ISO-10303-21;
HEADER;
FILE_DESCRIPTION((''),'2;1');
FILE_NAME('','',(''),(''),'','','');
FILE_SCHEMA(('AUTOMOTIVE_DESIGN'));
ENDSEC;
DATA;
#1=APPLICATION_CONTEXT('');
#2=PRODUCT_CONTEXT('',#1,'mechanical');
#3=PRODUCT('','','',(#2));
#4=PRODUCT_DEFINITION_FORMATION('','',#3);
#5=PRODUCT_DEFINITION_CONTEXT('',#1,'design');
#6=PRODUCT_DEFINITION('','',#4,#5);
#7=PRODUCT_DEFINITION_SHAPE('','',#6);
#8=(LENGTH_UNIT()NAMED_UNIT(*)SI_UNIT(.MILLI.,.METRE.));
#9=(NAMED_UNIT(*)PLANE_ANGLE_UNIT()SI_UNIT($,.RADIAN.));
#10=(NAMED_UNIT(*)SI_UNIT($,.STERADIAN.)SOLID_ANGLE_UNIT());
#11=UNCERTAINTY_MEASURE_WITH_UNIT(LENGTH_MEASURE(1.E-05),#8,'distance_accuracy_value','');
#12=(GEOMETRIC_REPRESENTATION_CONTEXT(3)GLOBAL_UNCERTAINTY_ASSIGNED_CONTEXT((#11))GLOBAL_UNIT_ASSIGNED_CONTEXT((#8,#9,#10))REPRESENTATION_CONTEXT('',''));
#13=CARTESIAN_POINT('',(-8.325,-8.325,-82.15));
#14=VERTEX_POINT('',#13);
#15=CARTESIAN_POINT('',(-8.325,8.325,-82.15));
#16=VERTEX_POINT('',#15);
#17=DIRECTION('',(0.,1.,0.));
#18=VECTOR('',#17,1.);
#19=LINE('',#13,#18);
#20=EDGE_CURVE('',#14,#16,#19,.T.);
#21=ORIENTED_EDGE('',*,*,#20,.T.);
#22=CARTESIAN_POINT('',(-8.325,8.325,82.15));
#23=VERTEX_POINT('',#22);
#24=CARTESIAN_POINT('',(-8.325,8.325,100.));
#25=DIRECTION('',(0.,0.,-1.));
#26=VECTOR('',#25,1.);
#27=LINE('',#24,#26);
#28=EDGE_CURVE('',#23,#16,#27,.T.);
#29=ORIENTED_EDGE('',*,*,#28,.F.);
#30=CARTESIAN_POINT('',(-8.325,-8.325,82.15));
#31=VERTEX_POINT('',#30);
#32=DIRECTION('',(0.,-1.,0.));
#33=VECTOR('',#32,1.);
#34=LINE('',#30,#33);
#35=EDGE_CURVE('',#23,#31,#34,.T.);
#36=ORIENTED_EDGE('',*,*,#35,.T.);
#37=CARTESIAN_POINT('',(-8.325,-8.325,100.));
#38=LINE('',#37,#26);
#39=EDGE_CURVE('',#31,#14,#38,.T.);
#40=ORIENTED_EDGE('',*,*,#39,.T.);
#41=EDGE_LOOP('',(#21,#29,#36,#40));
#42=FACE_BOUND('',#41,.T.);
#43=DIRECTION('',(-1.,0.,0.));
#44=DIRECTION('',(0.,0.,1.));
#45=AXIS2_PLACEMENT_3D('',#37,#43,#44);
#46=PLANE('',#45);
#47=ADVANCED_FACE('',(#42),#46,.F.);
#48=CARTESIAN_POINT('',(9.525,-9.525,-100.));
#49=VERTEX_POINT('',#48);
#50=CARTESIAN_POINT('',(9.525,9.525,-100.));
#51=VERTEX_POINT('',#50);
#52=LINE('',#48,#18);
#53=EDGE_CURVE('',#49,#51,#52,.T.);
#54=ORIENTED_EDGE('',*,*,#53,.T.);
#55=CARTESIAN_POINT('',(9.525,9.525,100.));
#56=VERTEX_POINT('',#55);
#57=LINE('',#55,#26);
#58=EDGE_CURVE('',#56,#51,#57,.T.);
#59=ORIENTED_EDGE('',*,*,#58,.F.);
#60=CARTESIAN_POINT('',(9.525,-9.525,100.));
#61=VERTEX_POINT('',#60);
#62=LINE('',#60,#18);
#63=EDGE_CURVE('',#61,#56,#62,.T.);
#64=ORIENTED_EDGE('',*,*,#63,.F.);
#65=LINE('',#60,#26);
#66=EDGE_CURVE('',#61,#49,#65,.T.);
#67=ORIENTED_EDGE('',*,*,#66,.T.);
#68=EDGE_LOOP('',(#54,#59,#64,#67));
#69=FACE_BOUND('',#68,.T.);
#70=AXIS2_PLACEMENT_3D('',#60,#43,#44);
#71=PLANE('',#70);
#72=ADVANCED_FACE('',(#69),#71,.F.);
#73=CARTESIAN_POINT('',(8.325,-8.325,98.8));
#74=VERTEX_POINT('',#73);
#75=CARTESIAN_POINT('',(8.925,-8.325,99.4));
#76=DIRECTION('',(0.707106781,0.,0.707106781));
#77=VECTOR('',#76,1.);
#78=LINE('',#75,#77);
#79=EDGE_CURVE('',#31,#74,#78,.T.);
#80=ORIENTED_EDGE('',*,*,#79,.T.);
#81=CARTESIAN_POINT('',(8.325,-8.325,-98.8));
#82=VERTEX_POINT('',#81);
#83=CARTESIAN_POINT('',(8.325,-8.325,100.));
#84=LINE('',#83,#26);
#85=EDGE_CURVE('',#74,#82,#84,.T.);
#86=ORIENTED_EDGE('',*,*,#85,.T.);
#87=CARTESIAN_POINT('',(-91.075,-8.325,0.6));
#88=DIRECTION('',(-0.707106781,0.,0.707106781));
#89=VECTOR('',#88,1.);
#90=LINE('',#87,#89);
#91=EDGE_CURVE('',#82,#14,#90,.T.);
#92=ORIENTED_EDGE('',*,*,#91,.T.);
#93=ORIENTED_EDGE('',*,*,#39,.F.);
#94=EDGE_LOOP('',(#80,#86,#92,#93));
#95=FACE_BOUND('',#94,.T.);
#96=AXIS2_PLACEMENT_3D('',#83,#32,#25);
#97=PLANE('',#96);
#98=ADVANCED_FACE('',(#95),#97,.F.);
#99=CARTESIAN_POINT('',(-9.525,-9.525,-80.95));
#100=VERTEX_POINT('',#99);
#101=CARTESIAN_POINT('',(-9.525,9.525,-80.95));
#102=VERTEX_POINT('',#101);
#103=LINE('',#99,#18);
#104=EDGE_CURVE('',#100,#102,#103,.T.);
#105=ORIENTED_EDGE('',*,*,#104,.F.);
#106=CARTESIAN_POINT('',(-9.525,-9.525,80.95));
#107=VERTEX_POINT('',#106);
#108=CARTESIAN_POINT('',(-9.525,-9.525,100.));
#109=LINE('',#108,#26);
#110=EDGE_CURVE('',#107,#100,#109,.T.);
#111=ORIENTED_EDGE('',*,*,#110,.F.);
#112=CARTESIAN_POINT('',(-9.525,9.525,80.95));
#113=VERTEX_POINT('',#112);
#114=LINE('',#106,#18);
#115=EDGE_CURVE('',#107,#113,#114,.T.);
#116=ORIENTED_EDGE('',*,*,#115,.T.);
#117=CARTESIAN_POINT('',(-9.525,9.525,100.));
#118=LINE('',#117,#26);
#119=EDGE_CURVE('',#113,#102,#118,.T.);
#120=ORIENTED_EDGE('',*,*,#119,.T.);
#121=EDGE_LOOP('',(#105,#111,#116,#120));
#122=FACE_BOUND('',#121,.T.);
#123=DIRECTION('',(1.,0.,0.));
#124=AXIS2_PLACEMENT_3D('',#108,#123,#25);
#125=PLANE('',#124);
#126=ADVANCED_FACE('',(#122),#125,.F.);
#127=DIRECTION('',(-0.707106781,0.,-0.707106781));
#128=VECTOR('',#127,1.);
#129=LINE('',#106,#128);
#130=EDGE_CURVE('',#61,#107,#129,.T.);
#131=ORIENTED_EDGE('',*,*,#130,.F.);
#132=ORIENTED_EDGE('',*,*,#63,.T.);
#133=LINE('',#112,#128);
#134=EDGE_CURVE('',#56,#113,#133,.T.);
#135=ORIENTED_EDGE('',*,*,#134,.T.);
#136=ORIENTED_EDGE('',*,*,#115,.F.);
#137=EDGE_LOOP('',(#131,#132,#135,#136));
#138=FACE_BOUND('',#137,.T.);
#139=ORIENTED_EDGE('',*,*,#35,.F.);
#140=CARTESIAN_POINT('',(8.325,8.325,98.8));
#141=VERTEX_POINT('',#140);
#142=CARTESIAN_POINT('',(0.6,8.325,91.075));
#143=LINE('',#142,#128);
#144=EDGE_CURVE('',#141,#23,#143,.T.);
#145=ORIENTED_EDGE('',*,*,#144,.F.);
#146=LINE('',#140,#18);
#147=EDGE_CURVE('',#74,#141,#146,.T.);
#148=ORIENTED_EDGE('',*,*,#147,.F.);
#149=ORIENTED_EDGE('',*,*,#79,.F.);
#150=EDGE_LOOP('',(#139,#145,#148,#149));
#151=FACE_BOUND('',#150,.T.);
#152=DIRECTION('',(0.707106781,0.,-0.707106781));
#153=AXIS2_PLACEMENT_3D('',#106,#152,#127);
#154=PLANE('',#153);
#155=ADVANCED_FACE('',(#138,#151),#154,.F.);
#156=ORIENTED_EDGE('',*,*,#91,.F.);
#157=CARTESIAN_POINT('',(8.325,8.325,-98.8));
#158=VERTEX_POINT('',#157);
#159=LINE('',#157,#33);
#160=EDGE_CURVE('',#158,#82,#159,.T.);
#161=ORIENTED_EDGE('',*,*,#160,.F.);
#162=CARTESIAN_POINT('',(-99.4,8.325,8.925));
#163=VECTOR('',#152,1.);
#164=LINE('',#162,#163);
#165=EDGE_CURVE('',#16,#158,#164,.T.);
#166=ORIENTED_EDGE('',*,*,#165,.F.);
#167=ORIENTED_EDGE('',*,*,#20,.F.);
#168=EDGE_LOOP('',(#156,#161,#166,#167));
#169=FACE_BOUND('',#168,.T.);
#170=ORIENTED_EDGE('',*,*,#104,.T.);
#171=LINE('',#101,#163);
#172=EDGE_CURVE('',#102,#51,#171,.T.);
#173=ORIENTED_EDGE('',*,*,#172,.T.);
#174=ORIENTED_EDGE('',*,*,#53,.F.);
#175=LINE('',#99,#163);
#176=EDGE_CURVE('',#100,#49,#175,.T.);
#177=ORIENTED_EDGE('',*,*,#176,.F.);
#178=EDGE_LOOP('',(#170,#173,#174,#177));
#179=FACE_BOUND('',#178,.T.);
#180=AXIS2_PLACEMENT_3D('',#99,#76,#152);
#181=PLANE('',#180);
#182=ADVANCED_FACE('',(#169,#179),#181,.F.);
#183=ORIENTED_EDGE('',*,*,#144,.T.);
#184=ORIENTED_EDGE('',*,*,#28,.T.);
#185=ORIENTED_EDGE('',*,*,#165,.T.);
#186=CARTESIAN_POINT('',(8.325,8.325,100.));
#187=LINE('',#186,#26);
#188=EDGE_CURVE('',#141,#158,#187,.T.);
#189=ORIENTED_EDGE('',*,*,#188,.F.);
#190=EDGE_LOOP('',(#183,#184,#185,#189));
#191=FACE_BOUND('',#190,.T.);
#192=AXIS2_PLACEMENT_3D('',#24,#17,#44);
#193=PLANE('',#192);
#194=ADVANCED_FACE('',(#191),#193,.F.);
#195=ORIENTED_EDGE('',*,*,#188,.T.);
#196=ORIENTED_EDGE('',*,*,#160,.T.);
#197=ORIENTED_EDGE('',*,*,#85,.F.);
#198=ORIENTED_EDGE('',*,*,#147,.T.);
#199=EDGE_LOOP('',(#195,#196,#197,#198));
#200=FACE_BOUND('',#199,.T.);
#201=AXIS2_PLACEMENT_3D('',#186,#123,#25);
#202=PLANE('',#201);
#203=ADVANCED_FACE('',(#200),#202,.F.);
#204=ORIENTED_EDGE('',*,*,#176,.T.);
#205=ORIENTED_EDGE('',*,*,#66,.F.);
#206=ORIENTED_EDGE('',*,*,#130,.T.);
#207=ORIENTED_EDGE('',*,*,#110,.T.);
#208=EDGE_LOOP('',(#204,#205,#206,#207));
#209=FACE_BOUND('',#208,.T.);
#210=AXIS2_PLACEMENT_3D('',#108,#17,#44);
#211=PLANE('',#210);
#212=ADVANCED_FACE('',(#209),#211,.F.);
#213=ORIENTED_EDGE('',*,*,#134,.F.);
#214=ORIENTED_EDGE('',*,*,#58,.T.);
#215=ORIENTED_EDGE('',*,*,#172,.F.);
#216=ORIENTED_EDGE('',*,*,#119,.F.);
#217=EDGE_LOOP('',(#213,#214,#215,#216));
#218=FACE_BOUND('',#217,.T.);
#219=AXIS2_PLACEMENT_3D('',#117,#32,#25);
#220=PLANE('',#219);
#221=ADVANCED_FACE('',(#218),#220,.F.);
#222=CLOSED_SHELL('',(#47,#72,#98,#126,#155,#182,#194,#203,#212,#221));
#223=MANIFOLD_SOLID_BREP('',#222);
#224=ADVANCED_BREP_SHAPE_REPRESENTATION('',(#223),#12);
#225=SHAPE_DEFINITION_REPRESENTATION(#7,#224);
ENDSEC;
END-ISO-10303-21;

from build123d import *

# Parameters (mm, degrees)
SKETCH3_W               = 19.05
SKETCH3_H               = 19.05
BOSS_EXTRUDE1_DEPTH     = 100
SKETCH5_W               = 16.65
SKETCH5_H               = 16.65
CUT_EXTRUDE1_DEPTH      = 201.453114842
CUT_EXTRUDE2_DEPTH      = 101.903177601
CUT_EXTRUDE2_DEPTH_BACK = 101.903177601


with BuildPart() as part:
    # Sketch3 → Boss-Extrude1 (new, symmetric)
    with BuildSketch(Plane.XY):
        Rectangle(SKETCH3_W, SKETCH3_H)
    extrude(amount=BOSS_EXTRUDE1_DEPTH, both=True)

    # Sketch5 → Cut-Extrude1 (cut, through all)
    with BuildSketch(Plane(origin=(0, 0, -100), x_dir=(-1, 0, 0), z_dir=(0, 0, -1))):
        Rectangle(SKETCH5_W, SKETCH5_H)
    extrude(amount=-CUT_EXTRUDE1_DEPTH, mode=Mode.SUBTRACT)

    # Sketch7 → Cut-Extrude2 (cut, two sides: drawn at the far end of the back side and taken through both)
    with BuildSketch(Plane(origin=(0, 0, 0), x_dir=(1, 0, 0), z_dir=(0, 1, 0)).offset(-CUT_EXTRUDE2_DEPTH_BACK)):
        Polygon((9.525, 100), (-9.525, 100), (-9.525, 80.95), align=None)
        Polygon((-9.525, -80.95), (9.525, -100), (-9.525, -100), align=None)
    extrude(amount=CUT_EXTRUDE2_DEPTH + CUT_EXTRUDE2_DEPTH_BACK, mode=Mode.SUBTRACT)


solid = part.part
